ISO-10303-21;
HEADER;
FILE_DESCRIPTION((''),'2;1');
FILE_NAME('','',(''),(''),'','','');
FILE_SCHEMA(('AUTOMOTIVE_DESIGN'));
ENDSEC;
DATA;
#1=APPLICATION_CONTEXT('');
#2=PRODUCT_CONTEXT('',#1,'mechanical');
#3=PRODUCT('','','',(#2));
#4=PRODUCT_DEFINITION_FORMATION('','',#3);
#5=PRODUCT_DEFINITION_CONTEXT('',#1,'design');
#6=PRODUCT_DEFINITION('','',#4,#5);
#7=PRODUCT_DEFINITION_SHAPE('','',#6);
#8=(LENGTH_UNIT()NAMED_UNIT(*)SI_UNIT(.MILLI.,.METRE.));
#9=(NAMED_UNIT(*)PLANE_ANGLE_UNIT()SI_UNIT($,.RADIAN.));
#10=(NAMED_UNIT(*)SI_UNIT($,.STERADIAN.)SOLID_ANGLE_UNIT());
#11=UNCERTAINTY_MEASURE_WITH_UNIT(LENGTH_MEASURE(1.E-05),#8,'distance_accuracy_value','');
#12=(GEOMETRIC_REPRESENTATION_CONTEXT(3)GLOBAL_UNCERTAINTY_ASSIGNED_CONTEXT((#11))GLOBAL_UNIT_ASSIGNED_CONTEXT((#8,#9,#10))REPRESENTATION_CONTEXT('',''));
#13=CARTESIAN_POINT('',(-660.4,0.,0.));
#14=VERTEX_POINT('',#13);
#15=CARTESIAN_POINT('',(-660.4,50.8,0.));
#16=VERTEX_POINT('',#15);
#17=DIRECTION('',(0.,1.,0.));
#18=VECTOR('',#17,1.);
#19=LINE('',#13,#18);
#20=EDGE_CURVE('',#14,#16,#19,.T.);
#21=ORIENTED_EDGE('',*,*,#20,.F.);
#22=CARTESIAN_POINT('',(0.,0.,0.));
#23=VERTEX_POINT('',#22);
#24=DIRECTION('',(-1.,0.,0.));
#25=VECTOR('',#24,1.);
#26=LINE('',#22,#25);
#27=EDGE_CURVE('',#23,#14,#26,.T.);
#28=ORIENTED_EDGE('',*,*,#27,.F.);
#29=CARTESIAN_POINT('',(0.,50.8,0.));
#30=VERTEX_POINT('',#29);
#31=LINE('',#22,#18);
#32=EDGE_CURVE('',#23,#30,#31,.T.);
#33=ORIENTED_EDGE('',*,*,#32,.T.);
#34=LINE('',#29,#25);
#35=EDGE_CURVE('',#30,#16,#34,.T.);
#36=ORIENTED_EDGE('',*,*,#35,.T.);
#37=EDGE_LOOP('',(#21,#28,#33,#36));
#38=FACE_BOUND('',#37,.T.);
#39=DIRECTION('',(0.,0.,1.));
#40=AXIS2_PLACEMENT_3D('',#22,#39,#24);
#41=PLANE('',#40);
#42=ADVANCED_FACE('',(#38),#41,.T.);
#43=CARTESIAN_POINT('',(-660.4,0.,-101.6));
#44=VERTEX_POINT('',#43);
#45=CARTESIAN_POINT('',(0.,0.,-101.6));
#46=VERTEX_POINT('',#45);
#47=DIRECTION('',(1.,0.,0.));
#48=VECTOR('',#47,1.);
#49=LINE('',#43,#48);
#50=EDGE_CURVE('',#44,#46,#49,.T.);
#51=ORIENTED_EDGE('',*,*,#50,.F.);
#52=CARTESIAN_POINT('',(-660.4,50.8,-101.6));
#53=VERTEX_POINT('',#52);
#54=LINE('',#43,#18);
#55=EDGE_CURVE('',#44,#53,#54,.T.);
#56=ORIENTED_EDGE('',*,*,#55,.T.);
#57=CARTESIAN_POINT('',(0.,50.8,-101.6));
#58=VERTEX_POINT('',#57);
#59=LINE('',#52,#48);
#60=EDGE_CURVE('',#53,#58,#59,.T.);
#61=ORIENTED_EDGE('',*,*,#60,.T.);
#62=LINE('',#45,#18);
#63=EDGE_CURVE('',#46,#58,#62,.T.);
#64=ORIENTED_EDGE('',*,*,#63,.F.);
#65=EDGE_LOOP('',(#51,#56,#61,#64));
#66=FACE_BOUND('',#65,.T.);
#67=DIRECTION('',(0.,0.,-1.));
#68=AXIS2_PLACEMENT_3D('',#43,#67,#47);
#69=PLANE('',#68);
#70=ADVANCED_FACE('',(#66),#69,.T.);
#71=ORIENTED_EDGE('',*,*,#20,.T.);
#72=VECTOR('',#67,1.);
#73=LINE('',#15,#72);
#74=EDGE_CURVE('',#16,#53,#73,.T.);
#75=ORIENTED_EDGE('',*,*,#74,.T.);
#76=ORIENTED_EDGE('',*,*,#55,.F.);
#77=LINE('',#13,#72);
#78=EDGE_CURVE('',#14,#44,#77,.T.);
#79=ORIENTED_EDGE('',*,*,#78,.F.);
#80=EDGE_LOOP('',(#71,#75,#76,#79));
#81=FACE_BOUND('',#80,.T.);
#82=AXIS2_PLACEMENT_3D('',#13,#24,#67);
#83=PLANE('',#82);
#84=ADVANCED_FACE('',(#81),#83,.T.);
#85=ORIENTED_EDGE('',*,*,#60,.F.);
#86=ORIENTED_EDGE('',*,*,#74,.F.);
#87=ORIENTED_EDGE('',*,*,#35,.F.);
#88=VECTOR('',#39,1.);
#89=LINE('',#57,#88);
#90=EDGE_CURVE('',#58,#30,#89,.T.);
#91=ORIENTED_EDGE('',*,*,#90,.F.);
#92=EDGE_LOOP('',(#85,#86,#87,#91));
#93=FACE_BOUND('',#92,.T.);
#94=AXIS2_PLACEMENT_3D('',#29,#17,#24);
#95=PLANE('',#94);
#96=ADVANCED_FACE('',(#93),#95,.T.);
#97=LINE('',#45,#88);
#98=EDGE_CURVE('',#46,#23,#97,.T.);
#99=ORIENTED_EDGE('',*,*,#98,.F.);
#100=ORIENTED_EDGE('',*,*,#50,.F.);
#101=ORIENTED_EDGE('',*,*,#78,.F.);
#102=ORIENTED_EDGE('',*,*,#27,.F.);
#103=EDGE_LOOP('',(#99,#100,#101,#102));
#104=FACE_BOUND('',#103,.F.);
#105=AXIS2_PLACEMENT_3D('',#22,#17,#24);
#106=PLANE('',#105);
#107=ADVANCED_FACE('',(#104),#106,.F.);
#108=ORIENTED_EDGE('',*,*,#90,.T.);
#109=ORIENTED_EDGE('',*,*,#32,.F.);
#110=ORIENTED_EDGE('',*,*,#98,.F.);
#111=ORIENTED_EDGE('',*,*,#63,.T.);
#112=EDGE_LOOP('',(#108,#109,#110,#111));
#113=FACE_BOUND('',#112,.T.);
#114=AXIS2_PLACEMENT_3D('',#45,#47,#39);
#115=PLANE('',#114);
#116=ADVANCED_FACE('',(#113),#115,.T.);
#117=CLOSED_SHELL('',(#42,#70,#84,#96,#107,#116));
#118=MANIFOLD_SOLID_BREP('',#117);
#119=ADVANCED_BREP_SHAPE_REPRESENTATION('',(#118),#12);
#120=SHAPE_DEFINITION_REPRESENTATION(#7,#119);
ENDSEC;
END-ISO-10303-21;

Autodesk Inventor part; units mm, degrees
ref_plane "YZ Plane" through (0, 0, 0) normal (1, 0, 0) x (0, 1, 0)
ref_plane "XZ Plane" through (0, 0, 0) normal (0, 1, 0) x (-1, 0, 0)
ref_plane "XY Plane" through (0, 0, 0) normal (0, 0, 1) x (1, 0, 0)
sketch "Sketch1" plane through (0, 0, 0) normal (0, 1, 0) x (-1, 0, 0)
  line L0 (0, 0) -> (660.4, 0)
  line L1 (660.4, 0) -> (660.4, -101.6)
  line L2 (660.4, -101.6) -> (0, -101.6)
  line L3 (0, -101.6) -> (0, 0)
  dimension "d0" = 660.4
  dimension "d1" = 101.6
extrude "Extrusion1" add sketch "Sketch1" along normal blind 50.8
properties part number "2x4x26"
